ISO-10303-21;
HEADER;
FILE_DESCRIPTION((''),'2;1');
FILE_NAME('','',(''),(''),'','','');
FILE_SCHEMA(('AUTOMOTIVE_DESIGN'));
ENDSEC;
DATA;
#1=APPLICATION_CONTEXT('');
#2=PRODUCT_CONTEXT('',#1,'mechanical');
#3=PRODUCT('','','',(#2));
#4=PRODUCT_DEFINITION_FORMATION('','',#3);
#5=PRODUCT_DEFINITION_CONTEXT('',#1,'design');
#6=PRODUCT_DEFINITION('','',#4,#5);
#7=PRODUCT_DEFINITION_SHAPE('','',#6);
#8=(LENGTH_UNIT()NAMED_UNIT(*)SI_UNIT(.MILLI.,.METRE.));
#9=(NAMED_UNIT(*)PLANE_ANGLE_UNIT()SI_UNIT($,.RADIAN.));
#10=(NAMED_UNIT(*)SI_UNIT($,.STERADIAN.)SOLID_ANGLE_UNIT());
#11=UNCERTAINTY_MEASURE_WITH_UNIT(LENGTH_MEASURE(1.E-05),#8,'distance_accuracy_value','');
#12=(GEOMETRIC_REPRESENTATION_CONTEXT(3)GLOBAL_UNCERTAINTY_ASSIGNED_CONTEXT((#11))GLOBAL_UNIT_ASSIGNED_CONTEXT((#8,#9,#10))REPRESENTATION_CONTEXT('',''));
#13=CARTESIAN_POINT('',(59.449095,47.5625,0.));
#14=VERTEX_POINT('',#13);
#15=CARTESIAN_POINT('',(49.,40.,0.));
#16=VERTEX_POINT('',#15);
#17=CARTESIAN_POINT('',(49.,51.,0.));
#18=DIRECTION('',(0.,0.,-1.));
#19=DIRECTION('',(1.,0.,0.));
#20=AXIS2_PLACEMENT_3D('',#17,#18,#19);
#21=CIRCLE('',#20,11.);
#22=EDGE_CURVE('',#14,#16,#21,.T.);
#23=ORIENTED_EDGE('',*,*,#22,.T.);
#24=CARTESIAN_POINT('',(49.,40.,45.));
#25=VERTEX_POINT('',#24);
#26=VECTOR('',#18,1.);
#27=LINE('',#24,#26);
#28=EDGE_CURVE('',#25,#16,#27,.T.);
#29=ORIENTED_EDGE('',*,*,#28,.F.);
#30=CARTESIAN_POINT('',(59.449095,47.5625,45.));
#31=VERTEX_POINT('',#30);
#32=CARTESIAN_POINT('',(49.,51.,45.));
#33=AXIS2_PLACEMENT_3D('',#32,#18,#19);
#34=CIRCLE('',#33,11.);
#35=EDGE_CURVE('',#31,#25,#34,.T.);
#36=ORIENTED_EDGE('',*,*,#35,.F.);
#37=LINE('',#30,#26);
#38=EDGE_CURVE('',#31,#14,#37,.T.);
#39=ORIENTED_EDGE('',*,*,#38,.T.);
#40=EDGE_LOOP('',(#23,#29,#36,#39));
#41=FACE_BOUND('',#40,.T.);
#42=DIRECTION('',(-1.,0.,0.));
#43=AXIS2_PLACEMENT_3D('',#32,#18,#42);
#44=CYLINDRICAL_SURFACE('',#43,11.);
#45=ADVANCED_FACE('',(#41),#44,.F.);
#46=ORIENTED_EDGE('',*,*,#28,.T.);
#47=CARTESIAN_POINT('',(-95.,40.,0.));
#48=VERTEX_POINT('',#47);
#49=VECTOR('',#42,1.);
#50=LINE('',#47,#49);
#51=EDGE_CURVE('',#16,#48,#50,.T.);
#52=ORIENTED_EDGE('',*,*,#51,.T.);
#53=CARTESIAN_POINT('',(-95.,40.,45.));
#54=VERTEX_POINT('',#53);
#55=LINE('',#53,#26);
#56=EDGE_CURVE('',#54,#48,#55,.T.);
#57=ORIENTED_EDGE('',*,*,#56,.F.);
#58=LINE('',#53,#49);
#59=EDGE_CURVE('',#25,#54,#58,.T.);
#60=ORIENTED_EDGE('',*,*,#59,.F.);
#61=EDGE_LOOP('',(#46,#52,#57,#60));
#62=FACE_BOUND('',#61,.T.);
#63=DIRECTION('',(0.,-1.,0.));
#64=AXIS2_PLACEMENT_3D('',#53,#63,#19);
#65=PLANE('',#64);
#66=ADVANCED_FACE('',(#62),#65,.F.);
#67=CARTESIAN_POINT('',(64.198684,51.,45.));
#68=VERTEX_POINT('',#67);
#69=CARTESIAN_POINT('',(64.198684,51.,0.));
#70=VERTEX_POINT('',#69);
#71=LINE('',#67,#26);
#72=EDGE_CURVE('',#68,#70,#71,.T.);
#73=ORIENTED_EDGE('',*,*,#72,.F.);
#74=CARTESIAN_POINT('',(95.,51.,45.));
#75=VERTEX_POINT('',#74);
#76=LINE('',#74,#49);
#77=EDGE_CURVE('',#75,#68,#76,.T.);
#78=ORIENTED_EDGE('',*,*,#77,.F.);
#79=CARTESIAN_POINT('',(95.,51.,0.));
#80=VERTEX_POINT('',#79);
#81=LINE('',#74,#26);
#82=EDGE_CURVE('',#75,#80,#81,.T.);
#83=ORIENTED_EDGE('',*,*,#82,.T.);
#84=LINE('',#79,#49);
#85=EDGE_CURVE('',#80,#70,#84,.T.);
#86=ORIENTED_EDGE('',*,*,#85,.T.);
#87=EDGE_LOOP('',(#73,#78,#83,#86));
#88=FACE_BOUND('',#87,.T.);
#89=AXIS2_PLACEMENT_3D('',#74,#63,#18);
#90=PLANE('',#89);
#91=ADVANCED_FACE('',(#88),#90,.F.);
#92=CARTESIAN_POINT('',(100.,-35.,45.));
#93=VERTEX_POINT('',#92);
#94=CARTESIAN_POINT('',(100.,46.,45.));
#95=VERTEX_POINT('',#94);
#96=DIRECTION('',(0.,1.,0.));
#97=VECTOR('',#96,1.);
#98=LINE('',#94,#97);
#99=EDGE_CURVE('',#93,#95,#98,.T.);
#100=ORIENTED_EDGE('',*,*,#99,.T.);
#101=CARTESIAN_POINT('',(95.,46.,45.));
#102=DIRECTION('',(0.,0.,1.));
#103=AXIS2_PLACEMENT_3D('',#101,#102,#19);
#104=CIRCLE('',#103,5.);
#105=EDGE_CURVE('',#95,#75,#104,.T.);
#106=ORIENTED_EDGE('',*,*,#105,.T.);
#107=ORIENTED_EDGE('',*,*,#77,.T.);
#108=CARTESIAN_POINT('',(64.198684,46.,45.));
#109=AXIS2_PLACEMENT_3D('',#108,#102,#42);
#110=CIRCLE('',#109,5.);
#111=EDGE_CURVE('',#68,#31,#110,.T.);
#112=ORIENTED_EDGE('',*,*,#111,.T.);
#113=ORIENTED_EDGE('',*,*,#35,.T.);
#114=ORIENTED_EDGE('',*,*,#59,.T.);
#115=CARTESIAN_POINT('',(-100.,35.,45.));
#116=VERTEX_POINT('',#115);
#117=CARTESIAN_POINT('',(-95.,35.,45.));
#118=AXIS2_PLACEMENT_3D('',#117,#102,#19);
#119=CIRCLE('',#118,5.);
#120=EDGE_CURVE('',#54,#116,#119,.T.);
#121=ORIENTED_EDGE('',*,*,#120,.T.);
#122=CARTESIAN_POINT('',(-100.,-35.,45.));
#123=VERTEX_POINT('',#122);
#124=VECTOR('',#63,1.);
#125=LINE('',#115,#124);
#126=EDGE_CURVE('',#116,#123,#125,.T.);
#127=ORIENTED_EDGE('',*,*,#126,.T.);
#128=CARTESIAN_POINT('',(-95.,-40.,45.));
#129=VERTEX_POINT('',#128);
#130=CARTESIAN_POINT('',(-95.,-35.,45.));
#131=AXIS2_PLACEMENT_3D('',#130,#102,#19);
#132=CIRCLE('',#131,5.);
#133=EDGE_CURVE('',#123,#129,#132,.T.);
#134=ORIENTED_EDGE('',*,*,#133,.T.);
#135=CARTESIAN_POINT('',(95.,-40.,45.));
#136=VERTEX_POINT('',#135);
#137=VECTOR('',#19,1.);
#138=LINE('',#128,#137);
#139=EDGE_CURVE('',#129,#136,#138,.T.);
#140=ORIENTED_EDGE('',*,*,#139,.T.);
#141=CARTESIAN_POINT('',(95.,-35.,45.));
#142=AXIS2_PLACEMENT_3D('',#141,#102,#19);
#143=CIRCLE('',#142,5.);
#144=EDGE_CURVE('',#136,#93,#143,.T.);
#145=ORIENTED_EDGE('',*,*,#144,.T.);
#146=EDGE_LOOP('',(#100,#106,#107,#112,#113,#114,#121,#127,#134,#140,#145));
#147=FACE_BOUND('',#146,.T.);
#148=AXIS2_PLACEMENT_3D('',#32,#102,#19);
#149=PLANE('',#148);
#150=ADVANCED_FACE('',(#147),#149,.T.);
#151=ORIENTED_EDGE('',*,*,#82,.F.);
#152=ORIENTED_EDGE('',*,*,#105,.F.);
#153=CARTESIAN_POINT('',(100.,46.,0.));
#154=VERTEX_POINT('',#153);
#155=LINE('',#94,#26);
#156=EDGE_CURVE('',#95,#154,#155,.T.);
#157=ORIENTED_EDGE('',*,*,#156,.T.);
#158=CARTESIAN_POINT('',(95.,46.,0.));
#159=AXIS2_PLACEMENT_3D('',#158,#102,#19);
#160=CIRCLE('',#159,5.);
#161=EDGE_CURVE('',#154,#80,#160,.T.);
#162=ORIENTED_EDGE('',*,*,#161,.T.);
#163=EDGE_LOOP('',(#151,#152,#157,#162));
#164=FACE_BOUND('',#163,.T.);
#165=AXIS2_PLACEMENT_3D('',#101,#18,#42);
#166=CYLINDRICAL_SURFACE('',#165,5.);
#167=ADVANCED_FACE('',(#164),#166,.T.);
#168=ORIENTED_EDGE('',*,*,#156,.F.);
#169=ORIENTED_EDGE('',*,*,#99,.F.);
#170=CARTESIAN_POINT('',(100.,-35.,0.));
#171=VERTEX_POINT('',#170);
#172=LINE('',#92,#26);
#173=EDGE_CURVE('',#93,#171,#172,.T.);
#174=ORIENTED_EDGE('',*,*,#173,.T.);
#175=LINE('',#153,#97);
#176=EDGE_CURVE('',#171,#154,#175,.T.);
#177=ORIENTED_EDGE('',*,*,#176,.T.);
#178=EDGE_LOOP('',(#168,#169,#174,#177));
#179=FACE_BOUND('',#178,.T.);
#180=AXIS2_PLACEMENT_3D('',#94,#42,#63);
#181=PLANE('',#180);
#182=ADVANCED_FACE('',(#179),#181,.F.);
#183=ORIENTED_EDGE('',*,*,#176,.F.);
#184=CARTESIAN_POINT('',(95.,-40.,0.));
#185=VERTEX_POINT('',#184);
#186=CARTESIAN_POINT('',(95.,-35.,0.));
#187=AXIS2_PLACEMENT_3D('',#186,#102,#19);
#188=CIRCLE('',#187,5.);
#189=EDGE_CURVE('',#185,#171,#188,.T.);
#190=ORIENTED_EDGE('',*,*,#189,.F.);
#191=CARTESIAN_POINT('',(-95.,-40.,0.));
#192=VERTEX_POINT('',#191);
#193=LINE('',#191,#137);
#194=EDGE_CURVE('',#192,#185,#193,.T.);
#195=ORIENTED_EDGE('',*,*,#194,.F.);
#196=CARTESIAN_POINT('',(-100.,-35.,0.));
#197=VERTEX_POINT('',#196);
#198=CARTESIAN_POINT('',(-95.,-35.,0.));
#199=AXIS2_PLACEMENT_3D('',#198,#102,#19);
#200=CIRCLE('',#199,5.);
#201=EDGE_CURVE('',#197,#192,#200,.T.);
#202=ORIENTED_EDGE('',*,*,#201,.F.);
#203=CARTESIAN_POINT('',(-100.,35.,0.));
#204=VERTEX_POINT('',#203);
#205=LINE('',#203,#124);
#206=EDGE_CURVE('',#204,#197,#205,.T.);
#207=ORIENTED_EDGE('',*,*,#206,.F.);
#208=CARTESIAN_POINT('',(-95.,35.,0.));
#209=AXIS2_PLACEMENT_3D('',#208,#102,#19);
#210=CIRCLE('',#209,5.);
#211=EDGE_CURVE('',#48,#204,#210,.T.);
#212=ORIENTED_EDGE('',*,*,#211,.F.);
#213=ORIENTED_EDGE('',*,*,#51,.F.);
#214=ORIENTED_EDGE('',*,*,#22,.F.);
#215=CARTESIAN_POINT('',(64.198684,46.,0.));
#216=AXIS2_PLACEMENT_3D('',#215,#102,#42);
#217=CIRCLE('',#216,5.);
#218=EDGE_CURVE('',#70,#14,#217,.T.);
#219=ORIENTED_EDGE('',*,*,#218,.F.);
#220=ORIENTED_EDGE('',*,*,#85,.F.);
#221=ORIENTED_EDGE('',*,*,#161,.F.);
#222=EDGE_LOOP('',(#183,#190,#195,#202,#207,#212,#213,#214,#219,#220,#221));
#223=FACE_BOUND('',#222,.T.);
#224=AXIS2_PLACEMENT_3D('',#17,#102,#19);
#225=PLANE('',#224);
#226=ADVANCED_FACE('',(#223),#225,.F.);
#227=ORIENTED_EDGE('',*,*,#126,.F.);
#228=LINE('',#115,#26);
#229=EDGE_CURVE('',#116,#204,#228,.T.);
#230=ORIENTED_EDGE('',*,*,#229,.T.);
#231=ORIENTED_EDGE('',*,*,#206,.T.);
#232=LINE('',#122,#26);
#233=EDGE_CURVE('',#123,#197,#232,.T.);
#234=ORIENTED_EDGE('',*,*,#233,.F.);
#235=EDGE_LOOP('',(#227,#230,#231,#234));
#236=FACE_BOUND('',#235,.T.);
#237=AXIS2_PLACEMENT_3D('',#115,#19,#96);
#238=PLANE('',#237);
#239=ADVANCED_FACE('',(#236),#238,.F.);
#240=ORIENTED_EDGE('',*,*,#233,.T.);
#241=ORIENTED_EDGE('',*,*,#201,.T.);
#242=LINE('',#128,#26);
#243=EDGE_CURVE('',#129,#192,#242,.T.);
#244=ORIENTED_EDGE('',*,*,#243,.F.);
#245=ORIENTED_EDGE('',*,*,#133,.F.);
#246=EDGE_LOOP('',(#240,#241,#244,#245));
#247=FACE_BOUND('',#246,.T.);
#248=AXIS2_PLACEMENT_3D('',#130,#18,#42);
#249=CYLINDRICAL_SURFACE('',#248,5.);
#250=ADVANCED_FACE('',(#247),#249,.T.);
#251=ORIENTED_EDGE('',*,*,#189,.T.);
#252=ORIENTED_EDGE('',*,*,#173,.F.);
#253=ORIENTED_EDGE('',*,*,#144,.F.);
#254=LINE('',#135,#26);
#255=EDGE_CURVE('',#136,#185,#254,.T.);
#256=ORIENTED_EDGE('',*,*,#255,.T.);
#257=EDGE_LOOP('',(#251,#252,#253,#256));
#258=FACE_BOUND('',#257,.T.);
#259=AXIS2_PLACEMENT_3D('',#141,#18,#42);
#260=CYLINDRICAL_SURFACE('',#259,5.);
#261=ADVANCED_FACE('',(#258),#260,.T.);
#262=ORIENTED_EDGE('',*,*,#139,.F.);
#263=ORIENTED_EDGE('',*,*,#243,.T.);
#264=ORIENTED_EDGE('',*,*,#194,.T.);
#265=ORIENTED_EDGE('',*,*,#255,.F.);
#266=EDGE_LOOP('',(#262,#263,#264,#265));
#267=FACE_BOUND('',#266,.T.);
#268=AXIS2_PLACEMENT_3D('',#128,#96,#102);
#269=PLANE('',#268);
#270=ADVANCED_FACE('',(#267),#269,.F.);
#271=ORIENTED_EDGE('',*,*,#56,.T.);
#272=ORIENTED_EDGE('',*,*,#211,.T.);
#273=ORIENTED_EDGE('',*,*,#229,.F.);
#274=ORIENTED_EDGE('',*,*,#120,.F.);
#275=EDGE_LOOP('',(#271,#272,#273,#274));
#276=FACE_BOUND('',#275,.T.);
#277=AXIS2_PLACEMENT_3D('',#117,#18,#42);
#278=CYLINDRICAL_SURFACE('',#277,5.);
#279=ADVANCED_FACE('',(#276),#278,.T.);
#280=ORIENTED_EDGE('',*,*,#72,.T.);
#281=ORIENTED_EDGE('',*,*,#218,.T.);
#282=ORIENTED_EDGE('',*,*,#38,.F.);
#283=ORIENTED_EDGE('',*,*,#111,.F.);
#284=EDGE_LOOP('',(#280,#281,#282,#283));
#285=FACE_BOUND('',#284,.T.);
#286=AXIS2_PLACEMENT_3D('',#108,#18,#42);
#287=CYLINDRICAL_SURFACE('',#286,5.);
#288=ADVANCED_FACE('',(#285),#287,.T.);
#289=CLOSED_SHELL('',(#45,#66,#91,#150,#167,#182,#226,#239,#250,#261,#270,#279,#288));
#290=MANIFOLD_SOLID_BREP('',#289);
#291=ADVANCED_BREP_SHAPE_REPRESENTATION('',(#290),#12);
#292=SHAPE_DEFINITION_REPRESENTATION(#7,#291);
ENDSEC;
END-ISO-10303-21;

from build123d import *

# Parameters (mm, degrees)
EXTRUDE1_DEPTH = 45


with BuildPart() as part:
    # Sketch1 → Extrude1 (new body)
    with BuildSketch(Plane.XY):
        with BuildLine():
            Line((-95, 40), (49, 40))
            ThreePointArc((49, 40), (55.44932167, 42.08898154), (59.449095356, 47.5625))
            ThreePointArc((59.449095356, 47.5625), (61.267174304, 50.050462937), (64.198684154, 51))
            Line((64.198684154, 51), (95, 51))
            ThreePointArc((95, 51), (98.535533906, 49.535533906), (100, 46))
            Line((100, 46), (100, -35))
            ThreePointArc((100, -35), (98.535533906, -38.535533906), (95, -40))
            Line((95, -40), (-95, -40))
            ThreePointArc((-95, -40), (-98.535533906, -38.535533906), (-100, -35))
            Line((-100, -35), (-100, 35))
            ThreePointArc((-100, 35), (-98.535533906, 38.535533906), (-95, 40))
        make_face()
    extrude(amount=EXTRUDE1_DEPTH)


solid = part.part
